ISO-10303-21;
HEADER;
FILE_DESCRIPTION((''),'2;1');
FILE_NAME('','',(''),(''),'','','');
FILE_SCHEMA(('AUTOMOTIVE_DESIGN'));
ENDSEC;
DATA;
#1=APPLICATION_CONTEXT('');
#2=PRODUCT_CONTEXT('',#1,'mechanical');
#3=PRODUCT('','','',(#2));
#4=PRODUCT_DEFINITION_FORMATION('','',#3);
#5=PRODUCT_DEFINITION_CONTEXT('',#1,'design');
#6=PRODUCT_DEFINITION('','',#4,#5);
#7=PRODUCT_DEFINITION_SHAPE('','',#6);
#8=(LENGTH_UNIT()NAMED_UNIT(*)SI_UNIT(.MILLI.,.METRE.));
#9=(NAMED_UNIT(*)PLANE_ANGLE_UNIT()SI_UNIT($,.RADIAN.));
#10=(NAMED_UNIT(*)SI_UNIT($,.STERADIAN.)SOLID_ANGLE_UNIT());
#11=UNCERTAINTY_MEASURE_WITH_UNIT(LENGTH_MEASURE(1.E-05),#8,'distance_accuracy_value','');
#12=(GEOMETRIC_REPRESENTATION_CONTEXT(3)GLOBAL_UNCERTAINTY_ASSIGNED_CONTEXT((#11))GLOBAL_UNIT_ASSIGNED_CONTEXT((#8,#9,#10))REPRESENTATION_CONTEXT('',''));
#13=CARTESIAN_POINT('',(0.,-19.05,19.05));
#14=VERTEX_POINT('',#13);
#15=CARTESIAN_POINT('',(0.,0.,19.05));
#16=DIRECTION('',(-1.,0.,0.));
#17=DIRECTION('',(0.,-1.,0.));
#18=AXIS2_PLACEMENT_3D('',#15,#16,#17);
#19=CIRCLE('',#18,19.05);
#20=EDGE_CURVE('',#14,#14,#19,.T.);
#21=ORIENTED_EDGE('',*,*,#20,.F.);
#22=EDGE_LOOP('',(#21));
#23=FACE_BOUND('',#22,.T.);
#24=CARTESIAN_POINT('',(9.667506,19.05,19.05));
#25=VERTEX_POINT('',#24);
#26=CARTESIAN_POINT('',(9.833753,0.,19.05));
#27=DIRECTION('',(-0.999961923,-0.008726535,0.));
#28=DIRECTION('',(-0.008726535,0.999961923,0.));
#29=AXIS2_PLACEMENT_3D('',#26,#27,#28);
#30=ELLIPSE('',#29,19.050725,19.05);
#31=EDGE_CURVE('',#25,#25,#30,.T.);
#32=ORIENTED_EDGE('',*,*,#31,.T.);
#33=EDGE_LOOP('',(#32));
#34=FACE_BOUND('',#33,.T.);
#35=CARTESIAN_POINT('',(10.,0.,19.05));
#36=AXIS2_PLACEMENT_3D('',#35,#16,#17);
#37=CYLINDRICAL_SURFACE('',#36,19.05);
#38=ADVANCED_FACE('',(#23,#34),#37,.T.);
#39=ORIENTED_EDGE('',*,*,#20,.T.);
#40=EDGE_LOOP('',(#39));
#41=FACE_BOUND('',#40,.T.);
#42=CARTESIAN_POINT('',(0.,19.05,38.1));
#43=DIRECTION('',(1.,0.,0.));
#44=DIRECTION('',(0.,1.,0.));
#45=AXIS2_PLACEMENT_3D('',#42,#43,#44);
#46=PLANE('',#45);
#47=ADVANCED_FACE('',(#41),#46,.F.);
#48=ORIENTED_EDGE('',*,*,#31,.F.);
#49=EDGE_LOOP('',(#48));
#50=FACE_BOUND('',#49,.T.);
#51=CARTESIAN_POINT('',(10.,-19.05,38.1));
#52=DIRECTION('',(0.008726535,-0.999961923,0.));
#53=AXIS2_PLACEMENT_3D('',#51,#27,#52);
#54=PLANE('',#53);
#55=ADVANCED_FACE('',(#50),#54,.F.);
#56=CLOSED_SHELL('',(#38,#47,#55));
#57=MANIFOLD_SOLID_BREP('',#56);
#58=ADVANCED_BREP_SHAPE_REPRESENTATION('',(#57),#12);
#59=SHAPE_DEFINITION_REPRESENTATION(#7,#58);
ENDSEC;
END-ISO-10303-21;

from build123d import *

# Parameters (mm, degrees)
EXTRUDE_1_DEPTH     = 38.1
CUT_EXTRUDE_1_DEPTH = 10


with BuildPart() as part:
    # 草图1 → 凸台-拉伸1 (new body)
    with BuildSketch(Plane.XY):
        Polygon((0, 19.05), (0, -19.05), (10, -19.05), (9.667506337, 19.05), align=None)
    extrude(amount=EXTRUDE_1_DEPTH)

    # 草图2 → 切除-拉伸1 (cut)
    with BuildSketch(Plane.ZY):
        with BuildLine():
            ThreePointArc((19.05, -19.05), (5.579615813, -13.470384177), (0, 1.4e-08))
            Line((0, 1.4e-08), (0, -19.05))
            Line((0, -19.05), (19.05, -19.05))
        make_face()
        with BuildLine():
            ThreePointArc((38.1, 0), (32.520384182, -13.470384182), (19.05, -19.05))
            Line((19.05, -19.05), (38.1, -19.05))
            Line((38.1, -19.05), (38.1, 0))
        make_face()
        with BuildLine():
            Line((38.1, 19.05), (19.05, 19.05))
            ThreePointArc((19.05, 19.05), (32.520384182, 13.470384182), (38.1, 0))
            Line((38.1, 0), (38.1, 19.05))
        make_face()
        with BuildLine():
            Line((19.05, 19.05), (0, 19.05))
            Line((0, 19.05), (0, 1.4e-08))
            ThreePointArc((0, 1.4e-08), (5.579615823, 13.470384187), (19.05, 19.05))
        make_face()
    extrude(amount=-CUT_EXTRUDE_1_DEPTH, mode=Mode.SUBTRACT)


solid = part.part
